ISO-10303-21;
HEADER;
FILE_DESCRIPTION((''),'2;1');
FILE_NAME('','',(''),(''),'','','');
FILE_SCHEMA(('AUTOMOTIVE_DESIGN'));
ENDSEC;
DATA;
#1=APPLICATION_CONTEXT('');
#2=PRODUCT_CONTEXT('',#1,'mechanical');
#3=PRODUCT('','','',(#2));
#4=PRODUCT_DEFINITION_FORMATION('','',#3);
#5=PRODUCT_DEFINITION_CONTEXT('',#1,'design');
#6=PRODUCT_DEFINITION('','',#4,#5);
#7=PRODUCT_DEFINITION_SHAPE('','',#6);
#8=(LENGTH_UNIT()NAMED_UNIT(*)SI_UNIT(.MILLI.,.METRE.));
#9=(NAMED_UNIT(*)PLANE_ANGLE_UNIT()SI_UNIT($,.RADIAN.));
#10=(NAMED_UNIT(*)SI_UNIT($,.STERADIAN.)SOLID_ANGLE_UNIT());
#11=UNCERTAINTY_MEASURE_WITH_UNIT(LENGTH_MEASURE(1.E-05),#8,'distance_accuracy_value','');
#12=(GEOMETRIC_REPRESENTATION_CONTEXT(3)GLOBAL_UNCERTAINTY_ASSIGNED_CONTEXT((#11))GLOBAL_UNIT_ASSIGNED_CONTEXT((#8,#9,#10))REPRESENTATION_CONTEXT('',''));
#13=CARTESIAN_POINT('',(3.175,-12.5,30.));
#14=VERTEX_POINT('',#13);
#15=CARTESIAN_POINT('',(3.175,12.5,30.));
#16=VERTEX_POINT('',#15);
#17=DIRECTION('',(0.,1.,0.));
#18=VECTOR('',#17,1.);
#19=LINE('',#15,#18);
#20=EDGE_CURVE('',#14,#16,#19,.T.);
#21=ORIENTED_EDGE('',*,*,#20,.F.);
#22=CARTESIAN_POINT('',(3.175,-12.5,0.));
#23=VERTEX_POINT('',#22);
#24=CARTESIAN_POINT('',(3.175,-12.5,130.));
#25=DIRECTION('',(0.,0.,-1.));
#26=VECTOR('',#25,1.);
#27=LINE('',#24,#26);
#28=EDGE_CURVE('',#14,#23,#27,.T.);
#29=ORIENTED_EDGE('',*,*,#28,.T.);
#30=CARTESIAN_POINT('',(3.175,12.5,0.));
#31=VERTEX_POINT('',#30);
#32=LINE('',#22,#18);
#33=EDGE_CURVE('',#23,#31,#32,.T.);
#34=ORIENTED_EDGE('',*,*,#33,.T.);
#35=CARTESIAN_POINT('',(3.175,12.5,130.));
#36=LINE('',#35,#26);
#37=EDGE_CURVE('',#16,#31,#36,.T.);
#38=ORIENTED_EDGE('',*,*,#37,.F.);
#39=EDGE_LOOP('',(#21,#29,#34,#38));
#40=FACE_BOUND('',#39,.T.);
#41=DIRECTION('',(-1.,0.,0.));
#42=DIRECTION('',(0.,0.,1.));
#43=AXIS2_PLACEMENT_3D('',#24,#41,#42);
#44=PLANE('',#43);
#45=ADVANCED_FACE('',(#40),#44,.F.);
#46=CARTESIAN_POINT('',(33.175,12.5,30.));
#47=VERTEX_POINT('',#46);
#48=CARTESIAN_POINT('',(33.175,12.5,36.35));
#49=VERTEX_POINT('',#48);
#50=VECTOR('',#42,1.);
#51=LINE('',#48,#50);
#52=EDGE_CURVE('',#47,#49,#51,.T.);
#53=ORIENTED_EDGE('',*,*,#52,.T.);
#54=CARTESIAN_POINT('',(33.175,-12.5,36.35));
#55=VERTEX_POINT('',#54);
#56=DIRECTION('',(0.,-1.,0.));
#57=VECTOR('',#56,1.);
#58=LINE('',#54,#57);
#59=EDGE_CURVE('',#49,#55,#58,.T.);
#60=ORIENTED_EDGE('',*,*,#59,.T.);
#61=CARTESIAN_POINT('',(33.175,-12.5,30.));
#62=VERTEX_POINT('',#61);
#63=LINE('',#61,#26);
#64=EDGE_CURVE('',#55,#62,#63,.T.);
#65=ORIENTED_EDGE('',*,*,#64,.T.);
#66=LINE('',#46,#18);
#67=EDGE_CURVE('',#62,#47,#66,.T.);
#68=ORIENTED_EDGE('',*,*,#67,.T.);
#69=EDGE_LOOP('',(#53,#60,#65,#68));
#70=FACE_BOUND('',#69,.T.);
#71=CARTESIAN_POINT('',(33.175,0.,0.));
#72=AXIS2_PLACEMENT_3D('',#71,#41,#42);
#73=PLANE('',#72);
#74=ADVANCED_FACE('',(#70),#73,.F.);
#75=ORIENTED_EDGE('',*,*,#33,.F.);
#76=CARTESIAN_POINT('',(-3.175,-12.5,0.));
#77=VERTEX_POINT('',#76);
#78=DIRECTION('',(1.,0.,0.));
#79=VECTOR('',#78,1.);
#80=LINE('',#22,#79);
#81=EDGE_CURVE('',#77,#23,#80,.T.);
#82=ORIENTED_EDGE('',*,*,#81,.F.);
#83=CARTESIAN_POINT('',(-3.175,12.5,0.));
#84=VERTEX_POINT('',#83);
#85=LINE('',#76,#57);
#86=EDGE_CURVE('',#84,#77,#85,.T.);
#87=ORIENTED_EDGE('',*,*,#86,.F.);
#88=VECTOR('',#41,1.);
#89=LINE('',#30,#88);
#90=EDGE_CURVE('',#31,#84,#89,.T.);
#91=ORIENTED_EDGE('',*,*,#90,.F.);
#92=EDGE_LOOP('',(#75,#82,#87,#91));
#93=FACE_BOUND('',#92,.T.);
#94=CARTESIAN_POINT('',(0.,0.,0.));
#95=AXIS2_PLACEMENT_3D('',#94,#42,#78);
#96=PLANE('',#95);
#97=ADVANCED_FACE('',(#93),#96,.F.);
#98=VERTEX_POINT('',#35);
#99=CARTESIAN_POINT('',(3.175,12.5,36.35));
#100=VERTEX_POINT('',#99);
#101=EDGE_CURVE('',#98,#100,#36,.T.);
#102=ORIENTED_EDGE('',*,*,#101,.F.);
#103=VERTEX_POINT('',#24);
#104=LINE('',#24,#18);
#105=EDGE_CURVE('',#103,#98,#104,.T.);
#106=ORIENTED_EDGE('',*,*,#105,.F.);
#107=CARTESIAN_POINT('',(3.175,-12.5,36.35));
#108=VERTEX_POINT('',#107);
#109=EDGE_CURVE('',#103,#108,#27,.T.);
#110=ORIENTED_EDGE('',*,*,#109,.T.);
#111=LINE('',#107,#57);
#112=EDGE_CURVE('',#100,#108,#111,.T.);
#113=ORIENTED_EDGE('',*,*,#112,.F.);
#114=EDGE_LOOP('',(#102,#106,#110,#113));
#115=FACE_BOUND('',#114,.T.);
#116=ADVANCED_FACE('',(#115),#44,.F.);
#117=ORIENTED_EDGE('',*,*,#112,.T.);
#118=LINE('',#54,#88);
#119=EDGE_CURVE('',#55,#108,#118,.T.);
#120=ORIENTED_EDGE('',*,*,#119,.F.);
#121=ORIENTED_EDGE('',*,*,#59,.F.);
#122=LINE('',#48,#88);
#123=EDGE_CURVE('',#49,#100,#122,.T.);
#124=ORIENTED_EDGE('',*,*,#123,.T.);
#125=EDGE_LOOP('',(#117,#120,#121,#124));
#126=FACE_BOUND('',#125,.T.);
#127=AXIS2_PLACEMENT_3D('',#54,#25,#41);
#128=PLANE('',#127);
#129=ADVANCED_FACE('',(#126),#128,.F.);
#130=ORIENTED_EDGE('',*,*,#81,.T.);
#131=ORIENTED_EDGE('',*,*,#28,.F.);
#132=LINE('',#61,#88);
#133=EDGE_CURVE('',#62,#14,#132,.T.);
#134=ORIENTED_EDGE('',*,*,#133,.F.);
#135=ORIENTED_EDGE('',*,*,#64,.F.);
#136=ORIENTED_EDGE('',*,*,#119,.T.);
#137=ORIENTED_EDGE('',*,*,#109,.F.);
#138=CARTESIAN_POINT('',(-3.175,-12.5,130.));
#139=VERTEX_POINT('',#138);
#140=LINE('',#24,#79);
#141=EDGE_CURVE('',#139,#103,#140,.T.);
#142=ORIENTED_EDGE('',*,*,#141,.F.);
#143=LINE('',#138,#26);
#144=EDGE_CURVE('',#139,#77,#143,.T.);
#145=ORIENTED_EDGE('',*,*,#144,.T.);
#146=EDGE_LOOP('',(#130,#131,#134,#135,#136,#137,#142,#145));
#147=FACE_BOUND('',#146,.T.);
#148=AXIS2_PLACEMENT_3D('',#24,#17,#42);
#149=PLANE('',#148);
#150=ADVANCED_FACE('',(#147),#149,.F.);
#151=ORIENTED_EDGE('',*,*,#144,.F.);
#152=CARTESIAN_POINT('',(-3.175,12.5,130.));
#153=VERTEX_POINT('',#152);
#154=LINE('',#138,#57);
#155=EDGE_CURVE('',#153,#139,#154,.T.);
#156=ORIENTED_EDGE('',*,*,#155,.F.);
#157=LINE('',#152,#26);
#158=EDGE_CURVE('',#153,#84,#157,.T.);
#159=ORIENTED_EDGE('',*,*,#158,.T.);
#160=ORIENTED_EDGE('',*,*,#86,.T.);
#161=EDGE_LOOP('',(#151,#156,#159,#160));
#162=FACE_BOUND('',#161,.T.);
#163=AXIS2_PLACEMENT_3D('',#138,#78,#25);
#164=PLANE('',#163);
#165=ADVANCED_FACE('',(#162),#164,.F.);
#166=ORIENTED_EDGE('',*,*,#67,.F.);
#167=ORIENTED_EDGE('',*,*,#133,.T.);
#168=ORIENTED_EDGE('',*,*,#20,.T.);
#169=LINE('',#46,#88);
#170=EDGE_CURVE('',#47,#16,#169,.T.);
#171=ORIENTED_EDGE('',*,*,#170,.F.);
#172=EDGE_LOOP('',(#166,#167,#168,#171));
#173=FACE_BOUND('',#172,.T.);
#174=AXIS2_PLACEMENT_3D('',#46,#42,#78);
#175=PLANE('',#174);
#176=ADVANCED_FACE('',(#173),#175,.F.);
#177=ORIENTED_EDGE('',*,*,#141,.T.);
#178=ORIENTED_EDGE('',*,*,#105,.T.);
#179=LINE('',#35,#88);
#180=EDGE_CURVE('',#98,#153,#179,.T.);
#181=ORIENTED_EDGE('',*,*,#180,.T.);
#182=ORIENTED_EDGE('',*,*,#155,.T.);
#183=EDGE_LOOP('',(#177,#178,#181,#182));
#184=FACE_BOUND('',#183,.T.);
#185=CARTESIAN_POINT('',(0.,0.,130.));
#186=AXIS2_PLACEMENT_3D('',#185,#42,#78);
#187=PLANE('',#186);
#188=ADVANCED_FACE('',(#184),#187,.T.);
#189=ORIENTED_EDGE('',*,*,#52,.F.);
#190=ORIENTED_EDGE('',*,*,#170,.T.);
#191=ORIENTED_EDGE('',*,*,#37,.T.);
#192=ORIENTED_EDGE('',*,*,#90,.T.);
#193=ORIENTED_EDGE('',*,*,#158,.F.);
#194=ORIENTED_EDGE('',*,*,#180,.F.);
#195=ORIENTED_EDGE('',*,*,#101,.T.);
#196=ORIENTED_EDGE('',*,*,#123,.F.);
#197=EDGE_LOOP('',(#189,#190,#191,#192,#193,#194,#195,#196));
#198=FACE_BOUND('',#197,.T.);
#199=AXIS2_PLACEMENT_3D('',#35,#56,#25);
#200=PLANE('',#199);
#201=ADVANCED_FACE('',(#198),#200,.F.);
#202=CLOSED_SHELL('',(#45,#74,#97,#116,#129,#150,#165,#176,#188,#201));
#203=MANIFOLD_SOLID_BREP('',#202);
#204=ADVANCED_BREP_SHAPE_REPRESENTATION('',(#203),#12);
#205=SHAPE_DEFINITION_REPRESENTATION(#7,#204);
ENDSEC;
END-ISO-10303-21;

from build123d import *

# Parameters (mm, degrees)
CROQUIS1_W              = 6.35
CROQUIS1_H              = 25
SALIENTE_EXTRUIR1_DEPTH = 130
CROQUIS2_W              = 6.35
CROQUIS2_H              = 25
SALIENTE_EXTRUIR2_DEPTH = 30


with BuildPart() as part:
    # Croquis1 → Saliente-Extruir1 (new body)
    with BuildSketch(Plane.XY):
        Rectangle(CROQUIS1_W, CROQUIS1_H)
    extrude(amount=SALIENTE_EXTRUIR1_DEPTH)

    # Croquis2 → Saliente-Extruir2 (add)
    with BuildSketch(Plane(origin=(3.175, 0, 0), x_dir=(0, 0, -1), z_dir=(1, 0, 0))):
        with Locations((-33.175, 0)):
            Rectangle(CROQUIS2_W, CROQUIS2_H)
    extrude(amount=SALIENTE_EXTRUIR2_DEPTH)


solid = part.part
